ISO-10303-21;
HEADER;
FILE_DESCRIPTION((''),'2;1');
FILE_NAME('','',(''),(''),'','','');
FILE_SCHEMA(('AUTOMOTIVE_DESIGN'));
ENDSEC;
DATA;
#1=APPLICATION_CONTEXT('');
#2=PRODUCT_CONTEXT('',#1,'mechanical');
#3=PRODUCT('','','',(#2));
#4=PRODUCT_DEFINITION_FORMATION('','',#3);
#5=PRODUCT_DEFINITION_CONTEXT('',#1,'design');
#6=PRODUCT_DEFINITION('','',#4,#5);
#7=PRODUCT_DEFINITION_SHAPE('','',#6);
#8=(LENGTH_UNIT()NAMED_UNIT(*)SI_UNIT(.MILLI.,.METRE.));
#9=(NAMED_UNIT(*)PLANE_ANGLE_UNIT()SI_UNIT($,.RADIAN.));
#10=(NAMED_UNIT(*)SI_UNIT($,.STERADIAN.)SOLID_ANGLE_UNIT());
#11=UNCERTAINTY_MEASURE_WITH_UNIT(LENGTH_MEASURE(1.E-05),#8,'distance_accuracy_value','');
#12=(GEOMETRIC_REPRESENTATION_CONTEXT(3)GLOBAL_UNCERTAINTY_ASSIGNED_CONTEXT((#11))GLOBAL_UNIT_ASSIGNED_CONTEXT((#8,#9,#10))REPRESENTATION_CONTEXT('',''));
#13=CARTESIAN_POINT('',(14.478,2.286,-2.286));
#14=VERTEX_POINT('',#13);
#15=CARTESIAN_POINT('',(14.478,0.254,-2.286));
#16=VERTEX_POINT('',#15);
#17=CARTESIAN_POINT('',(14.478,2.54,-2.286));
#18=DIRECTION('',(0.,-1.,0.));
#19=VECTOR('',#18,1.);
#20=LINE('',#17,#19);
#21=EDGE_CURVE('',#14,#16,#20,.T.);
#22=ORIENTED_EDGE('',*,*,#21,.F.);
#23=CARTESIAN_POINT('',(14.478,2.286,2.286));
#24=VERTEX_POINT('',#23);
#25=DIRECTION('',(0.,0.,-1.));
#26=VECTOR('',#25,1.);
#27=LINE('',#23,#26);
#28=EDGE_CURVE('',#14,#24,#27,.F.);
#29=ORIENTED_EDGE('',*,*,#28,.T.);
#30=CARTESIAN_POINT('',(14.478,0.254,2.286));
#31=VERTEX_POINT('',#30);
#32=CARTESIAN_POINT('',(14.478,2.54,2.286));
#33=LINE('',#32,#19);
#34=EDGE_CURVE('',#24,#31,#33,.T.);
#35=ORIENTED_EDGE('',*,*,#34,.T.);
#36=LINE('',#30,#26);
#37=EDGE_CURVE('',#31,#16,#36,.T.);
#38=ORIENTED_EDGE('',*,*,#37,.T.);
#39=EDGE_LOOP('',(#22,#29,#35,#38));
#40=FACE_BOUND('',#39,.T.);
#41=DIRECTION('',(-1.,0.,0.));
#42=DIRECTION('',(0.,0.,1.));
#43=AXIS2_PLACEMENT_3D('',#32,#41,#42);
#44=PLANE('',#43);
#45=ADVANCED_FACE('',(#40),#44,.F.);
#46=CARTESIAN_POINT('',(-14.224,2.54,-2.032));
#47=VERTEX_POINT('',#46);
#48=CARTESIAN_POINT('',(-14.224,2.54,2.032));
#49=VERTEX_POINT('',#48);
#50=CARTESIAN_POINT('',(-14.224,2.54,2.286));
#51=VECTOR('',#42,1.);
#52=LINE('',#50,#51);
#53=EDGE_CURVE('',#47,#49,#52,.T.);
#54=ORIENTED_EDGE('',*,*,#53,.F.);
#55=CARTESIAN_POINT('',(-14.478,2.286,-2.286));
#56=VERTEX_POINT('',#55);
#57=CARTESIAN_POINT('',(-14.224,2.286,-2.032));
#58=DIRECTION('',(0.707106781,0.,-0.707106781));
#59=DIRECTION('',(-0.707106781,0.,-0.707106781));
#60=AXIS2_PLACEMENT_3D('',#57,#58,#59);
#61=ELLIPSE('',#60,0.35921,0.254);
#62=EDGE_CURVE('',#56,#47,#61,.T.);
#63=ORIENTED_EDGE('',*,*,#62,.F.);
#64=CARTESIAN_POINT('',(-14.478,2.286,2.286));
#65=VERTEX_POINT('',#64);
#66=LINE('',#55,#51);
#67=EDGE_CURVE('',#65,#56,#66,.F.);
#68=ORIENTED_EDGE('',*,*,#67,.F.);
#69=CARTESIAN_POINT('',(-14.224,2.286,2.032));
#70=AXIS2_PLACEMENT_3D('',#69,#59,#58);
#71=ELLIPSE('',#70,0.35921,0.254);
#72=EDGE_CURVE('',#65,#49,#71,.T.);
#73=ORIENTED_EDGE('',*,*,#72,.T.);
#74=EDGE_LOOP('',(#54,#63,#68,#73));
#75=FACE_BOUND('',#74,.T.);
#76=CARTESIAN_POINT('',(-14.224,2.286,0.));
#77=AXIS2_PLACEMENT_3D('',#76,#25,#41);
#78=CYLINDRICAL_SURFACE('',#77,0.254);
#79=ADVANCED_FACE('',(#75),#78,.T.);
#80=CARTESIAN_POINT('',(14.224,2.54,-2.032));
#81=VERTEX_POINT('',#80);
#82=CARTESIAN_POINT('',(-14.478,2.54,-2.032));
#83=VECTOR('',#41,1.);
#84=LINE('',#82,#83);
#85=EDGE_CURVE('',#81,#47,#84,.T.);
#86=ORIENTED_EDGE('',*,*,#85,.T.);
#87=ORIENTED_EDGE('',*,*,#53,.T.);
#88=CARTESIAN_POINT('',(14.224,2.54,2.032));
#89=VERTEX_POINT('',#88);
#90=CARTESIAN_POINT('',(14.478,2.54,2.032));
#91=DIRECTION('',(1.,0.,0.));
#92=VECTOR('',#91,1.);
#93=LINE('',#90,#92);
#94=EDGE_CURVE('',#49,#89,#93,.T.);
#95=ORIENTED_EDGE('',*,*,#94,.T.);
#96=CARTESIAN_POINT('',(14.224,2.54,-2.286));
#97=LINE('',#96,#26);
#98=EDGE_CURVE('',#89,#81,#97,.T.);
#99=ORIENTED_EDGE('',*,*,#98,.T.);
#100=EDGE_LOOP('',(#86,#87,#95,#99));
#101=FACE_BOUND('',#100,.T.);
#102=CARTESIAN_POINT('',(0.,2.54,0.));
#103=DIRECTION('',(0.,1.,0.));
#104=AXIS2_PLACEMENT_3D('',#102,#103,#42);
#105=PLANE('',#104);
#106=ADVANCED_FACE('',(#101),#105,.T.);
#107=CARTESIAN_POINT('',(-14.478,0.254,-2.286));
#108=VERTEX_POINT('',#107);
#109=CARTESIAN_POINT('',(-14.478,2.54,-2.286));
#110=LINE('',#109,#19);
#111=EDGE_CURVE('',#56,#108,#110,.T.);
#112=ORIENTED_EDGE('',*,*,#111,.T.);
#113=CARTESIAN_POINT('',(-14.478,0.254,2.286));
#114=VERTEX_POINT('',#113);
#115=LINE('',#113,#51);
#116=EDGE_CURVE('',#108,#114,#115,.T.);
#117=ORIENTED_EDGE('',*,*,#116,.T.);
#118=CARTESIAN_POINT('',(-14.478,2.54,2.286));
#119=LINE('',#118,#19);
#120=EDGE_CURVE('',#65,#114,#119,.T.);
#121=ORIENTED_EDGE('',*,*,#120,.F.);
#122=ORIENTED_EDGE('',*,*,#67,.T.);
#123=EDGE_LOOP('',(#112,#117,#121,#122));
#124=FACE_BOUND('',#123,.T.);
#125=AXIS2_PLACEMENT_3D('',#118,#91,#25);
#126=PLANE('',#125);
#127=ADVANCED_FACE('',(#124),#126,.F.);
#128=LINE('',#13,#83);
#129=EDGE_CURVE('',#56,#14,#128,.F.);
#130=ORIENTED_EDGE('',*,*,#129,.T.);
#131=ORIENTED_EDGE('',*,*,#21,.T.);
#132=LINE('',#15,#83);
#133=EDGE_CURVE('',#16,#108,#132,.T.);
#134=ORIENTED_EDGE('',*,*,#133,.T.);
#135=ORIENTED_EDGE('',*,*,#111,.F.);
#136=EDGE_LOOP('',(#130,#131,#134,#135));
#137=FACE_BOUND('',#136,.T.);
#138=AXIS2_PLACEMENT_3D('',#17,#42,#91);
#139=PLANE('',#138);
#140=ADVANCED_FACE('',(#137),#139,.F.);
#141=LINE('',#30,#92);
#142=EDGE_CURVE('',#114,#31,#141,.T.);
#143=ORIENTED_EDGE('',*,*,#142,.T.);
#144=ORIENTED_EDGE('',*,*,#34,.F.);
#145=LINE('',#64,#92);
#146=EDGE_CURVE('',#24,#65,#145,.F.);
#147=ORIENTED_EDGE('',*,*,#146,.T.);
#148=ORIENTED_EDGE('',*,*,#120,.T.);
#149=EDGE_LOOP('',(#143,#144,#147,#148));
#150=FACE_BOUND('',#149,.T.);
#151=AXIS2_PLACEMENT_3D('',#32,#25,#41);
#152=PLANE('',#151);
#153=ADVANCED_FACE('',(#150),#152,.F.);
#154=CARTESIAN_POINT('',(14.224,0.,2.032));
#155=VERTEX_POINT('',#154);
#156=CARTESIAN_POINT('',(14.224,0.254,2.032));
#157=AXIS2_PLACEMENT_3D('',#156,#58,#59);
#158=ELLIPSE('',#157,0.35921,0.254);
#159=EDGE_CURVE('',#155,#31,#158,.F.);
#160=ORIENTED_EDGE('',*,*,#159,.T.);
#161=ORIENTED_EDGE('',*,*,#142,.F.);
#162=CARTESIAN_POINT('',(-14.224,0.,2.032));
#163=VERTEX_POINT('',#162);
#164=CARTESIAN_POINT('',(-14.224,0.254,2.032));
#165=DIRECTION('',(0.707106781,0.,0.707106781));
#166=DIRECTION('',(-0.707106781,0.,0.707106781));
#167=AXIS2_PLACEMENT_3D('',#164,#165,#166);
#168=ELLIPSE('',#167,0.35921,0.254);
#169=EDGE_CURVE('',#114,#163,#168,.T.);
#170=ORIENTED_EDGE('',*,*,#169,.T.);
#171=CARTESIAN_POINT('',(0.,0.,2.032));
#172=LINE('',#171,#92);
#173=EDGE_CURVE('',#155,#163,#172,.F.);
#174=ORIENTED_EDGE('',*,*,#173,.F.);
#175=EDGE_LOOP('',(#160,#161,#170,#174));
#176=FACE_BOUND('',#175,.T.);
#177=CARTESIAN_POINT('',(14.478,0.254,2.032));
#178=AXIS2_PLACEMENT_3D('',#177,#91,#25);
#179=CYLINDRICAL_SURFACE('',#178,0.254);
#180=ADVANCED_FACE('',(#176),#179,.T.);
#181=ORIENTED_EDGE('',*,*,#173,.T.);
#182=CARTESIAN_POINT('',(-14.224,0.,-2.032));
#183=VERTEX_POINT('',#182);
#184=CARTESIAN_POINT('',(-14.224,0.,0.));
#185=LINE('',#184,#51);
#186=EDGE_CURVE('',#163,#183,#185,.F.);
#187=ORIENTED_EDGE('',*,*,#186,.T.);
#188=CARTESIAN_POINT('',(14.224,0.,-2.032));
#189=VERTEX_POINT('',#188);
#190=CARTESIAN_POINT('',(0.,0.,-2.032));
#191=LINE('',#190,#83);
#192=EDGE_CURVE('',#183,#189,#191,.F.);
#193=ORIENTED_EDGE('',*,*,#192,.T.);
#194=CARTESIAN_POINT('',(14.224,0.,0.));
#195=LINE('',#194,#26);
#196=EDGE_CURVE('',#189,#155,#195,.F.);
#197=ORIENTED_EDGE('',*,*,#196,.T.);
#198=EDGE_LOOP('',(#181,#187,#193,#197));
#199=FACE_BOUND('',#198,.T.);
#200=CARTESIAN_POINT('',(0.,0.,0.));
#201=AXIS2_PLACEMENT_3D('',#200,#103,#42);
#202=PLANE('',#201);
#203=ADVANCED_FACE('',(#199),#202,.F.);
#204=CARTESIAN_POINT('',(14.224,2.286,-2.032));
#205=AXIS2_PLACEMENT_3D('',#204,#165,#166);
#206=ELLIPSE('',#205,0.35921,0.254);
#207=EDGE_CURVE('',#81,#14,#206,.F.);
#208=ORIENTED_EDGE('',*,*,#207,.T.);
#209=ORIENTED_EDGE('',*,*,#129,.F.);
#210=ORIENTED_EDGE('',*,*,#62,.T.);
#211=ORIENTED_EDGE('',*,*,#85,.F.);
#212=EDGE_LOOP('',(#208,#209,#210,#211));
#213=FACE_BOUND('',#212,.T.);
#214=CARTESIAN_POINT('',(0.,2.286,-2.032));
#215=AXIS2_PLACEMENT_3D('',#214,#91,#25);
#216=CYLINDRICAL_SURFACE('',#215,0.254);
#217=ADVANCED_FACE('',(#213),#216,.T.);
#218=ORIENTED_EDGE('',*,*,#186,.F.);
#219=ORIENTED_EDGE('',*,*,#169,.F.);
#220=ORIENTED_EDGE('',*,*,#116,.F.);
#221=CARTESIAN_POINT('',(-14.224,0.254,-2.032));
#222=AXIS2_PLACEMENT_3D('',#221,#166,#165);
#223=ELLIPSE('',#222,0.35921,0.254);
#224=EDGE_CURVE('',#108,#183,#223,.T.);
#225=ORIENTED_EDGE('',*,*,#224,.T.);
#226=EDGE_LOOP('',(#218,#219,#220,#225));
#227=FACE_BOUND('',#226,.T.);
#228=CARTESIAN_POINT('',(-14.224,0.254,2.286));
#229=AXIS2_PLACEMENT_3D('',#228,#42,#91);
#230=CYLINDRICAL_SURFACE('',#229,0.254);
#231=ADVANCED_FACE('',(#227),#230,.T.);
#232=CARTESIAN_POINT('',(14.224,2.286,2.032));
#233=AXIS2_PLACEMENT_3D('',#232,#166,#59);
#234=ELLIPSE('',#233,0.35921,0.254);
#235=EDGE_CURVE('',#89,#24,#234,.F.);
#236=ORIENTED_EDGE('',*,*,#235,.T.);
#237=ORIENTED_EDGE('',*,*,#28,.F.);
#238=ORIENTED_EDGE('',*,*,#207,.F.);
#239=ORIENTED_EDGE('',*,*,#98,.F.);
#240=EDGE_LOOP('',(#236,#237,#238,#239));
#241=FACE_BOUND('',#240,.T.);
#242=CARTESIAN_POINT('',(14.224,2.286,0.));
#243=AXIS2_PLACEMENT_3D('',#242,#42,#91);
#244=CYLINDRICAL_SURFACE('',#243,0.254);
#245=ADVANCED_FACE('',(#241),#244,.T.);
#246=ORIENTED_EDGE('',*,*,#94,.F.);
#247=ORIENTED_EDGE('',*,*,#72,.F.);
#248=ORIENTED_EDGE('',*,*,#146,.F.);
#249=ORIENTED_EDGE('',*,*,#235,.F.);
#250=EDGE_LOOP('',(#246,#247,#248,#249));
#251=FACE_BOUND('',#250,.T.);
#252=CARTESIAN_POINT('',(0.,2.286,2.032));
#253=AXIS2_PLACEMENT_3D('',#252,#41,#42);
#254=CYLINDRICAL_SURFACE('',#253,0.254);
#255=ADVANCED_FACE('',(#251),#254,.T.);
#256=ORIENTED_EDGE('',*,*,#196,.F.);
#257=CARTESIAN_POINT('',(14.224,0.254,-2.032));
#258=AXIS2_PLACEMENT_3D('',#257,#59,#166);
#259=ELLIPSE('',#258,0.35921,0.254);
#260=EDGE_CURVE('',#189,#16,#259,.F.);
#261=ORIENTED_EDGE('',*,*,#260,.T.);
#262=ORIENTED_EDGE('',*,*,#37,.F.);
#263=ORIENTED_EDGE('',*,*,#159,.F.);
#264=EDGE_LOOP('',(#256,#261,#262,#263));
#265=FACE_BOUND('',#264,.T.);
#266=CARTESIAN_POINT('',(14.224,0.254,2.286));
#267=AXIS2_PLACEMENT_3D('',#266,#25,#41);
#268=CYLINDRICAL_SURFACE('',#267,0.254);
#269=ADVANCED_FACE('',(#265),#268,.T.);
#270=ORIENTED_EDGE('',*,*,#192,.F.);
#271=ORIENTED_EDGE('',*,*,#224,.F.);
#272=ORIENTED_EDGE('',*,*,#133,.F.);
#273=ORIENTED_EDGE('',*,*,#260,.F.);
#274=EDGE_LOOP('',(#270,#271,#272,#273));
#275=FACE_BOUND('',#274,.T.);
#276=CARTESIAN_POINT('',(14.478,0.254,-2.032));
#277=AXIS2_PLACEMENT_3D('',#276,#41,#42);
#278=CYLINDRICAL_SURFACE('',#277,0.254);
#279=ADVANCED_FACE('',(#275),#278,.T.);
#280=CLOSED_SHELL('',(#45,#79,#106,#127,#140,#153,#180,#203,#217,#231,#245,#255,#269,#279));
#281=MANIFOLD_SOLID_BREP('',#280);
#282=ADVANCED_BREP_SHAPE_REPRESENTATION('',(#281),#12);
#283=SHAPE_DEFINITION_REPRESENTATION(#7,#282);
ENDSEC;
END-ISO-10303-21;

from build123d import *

# Parameters (mm, degrees)
SKETCH2_W           = 28.956
SKETCH2_H           = 4.572
BOSS_EXTRUDE1_DEPTH = 2.54
FILLET1_R           = 0.254


with BuildPart() as part:
    # Sketch2 → Boss-Extrude1 (new body)
    with BuildSketch(Plane(origin=(0, 0, 0), x_dir=(1, 0, 0), z_dir=(0, 1, 0))):
        Rectangle(SKETCH2_W, SKETCH2_H)
    extrude(amount=BOSS_EXTRUDE1_DEPTH)

    # Fillet1
    fillet1_edges = [part.edges().sort_by_distance(p)[0] for p in [
        (14.478, 2.54, 0),
        (0, 2.54, -2.286),
        (-14.478, 2.54, 0),
        (0, 0, -2.286),
        (14.478, 0, 0),
        (0, 0, 2.286),
        (-14.478, 0, 0),
        (0, 2.54, 2.286),
    ]]
    fillet(fillet1_edges, radius=FILLET1_R)


solid = part.part
